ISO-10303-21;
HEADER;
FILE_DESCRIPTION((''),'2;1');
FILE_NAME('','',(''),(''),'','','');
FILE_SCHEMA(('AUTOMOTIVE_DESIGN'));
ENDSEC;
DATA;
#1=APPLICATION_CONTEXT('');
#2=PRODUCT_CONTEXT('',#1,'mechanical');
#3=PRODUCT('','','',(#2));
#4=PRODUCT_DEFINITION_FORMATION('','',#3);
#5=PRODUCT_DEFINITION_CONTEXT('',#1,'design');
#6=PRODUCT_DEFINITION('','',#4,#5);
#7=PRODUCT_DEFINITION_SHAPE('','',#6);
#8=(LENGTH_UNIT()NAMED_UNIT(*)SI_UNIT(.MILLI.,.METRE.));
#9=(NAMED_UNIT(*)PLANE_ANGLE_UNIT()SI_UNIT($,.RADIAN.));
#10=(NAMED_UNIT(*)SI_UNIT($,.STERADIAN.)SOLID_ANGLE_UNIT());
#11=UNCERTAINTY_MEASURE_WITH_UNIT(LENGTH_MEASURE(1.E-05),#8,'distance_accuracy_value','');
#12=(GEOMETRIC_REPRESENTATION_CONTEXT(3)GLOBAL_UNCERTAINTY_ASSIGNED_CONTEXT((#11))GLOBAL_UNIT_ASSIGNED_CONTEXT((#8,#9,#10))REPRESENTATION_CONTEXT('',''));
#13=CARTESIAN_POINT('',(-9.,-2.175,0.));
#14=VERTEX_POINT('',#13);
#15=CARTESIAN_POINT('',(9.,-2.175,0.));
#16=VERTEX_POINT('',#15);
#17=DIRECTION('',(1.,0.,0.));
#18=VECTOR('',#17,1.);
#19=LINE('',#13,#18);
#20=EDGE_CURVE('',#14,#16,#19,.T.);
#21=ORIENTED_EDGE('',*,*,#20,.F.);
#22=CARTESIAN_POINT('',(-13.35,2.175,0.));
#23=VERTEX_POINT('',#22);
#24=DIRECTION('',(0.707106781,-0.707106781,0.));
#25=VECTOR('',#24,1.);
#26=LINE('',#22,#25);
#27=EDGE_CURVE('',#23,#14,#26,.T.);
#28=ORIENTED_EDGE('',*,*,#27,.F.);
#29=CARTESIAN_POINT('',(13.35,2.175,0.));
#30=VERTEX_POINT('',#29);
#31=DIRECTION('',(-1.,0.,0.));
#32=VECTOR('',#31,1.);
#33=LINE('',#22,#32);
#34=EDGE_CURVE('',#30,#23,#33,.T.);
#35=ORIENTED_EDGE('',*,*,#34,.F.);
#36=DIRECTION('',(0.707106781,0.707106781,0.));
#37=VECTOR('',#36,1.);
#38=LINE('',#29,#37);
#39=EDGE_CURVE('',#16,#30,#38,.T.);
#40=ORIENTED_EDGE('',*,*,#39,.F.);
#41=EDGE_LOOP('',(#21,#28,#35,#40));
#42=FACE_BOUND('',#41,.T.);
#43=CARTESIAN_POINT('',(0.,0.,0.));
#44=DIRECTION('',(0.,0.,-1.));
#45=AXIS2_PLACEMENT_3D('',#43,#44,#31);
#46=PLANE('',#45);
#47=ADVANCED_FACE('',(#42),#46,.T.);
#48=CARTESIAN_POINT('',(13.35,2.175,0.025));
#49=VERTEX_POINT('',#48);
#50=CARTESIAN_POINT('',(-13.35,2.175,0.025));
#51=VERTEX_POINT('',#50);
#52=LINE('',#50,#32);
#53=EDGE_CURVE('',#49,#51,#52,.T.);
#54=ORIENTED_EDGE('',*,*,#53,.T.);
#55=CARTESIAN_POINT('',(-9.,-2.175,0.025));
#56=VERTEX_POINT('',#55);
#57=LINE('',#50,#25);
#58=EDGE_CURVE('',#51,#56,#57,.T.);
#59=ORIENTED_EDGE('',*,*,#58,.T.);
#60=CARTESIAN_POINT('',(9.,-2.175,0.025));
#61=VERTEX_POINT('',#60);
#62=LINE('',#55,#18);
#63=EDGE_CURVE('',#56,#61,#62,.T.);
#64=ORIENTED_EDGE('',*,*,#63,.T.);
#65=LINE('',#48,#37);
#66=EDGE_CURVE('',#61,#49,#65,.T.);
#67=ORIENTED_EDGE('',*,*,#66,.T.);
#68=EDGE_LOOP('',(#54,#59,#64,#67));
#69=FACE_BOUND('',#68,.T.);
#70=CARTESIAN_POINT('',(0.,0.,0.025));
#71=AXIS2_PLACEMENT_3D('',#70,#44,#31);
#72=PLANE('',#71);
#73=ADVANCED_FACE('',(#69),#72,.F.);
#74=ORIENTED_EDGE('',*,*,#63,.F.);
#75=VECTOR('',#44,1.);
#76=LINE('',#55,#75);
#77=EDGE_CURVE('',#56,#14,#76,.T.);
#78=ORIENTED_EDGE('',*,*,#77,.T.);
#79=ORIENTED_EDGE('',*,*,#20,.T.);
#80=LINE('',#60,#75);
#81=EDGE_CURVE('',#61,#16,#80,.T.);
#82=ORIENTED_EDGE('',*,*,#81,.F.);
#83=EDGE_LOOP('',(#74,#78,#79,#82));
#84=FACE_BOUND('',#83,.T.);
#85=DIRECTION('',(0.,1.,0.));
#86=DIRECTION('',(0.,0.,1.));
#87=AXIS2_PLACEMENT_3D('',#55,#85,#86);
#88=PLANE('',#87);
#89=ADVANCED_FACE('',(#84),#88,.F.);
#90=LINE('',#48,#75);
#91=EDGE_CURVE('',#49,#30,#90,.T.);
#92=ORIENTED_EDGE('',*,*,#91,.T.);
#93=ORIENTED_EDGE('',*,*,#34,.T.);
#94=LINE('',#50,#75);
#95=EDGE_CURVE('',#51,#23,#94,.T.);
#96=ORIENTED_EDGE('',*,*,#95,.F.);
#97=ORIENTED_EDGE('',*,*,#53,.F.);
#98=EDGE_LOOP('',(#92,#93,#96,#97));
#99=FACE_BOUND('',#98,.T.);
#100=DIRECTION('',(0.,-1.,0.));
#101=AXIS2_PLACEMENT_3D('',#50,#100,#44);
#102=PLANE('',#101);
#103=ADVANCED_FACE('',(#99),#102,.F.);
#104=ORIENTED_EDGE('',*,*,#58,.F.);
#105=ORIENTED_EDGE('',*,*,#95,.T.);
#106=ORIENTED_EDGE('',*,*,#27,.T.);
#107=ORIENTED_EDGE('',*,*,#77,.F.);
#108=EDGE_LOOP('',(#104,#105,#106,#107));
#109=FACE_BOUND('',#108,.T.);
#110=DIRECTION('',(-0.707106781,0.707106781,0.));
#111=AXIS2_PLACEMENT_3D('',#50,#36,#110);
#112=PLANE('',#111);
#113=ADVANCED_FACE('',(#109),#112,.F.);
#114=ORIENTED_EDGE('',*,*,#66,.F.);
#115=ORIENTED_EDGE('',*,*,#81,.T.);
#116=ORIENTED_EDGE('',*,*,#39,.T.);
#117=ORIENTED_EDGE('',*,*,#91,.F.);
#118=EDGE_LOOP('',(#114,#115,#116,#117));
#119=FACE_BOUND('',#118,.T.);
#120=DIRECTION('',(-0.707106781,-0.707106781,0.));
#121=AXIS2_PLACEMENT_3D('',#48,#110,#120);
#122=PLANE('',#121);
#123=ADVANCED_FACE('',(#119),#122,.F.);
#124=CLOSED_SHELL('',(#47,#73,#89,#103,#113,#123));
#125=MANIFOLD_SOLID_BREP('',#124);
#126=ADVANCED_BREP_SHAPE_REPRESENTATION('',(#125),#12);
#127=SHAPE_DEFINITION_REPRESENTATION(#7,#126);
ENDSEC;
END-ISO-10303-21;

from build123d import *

# Parameters (mm, degrees)
BOSS_EXTRUDE1_DEPTH = 0.025


with BuildPart() as part:
    # Sketch1 → Boss-Extrude1 (new body)
    with BuildSketch(Plane.XY):
        Polygon((-13.35, 2.175), (-9, -2.175), (9, -2.175), (13.35, 2.175), align=None)
    extrude(amount=BOSS_EXTRUDE1_DEPTH)


solid = part.part
